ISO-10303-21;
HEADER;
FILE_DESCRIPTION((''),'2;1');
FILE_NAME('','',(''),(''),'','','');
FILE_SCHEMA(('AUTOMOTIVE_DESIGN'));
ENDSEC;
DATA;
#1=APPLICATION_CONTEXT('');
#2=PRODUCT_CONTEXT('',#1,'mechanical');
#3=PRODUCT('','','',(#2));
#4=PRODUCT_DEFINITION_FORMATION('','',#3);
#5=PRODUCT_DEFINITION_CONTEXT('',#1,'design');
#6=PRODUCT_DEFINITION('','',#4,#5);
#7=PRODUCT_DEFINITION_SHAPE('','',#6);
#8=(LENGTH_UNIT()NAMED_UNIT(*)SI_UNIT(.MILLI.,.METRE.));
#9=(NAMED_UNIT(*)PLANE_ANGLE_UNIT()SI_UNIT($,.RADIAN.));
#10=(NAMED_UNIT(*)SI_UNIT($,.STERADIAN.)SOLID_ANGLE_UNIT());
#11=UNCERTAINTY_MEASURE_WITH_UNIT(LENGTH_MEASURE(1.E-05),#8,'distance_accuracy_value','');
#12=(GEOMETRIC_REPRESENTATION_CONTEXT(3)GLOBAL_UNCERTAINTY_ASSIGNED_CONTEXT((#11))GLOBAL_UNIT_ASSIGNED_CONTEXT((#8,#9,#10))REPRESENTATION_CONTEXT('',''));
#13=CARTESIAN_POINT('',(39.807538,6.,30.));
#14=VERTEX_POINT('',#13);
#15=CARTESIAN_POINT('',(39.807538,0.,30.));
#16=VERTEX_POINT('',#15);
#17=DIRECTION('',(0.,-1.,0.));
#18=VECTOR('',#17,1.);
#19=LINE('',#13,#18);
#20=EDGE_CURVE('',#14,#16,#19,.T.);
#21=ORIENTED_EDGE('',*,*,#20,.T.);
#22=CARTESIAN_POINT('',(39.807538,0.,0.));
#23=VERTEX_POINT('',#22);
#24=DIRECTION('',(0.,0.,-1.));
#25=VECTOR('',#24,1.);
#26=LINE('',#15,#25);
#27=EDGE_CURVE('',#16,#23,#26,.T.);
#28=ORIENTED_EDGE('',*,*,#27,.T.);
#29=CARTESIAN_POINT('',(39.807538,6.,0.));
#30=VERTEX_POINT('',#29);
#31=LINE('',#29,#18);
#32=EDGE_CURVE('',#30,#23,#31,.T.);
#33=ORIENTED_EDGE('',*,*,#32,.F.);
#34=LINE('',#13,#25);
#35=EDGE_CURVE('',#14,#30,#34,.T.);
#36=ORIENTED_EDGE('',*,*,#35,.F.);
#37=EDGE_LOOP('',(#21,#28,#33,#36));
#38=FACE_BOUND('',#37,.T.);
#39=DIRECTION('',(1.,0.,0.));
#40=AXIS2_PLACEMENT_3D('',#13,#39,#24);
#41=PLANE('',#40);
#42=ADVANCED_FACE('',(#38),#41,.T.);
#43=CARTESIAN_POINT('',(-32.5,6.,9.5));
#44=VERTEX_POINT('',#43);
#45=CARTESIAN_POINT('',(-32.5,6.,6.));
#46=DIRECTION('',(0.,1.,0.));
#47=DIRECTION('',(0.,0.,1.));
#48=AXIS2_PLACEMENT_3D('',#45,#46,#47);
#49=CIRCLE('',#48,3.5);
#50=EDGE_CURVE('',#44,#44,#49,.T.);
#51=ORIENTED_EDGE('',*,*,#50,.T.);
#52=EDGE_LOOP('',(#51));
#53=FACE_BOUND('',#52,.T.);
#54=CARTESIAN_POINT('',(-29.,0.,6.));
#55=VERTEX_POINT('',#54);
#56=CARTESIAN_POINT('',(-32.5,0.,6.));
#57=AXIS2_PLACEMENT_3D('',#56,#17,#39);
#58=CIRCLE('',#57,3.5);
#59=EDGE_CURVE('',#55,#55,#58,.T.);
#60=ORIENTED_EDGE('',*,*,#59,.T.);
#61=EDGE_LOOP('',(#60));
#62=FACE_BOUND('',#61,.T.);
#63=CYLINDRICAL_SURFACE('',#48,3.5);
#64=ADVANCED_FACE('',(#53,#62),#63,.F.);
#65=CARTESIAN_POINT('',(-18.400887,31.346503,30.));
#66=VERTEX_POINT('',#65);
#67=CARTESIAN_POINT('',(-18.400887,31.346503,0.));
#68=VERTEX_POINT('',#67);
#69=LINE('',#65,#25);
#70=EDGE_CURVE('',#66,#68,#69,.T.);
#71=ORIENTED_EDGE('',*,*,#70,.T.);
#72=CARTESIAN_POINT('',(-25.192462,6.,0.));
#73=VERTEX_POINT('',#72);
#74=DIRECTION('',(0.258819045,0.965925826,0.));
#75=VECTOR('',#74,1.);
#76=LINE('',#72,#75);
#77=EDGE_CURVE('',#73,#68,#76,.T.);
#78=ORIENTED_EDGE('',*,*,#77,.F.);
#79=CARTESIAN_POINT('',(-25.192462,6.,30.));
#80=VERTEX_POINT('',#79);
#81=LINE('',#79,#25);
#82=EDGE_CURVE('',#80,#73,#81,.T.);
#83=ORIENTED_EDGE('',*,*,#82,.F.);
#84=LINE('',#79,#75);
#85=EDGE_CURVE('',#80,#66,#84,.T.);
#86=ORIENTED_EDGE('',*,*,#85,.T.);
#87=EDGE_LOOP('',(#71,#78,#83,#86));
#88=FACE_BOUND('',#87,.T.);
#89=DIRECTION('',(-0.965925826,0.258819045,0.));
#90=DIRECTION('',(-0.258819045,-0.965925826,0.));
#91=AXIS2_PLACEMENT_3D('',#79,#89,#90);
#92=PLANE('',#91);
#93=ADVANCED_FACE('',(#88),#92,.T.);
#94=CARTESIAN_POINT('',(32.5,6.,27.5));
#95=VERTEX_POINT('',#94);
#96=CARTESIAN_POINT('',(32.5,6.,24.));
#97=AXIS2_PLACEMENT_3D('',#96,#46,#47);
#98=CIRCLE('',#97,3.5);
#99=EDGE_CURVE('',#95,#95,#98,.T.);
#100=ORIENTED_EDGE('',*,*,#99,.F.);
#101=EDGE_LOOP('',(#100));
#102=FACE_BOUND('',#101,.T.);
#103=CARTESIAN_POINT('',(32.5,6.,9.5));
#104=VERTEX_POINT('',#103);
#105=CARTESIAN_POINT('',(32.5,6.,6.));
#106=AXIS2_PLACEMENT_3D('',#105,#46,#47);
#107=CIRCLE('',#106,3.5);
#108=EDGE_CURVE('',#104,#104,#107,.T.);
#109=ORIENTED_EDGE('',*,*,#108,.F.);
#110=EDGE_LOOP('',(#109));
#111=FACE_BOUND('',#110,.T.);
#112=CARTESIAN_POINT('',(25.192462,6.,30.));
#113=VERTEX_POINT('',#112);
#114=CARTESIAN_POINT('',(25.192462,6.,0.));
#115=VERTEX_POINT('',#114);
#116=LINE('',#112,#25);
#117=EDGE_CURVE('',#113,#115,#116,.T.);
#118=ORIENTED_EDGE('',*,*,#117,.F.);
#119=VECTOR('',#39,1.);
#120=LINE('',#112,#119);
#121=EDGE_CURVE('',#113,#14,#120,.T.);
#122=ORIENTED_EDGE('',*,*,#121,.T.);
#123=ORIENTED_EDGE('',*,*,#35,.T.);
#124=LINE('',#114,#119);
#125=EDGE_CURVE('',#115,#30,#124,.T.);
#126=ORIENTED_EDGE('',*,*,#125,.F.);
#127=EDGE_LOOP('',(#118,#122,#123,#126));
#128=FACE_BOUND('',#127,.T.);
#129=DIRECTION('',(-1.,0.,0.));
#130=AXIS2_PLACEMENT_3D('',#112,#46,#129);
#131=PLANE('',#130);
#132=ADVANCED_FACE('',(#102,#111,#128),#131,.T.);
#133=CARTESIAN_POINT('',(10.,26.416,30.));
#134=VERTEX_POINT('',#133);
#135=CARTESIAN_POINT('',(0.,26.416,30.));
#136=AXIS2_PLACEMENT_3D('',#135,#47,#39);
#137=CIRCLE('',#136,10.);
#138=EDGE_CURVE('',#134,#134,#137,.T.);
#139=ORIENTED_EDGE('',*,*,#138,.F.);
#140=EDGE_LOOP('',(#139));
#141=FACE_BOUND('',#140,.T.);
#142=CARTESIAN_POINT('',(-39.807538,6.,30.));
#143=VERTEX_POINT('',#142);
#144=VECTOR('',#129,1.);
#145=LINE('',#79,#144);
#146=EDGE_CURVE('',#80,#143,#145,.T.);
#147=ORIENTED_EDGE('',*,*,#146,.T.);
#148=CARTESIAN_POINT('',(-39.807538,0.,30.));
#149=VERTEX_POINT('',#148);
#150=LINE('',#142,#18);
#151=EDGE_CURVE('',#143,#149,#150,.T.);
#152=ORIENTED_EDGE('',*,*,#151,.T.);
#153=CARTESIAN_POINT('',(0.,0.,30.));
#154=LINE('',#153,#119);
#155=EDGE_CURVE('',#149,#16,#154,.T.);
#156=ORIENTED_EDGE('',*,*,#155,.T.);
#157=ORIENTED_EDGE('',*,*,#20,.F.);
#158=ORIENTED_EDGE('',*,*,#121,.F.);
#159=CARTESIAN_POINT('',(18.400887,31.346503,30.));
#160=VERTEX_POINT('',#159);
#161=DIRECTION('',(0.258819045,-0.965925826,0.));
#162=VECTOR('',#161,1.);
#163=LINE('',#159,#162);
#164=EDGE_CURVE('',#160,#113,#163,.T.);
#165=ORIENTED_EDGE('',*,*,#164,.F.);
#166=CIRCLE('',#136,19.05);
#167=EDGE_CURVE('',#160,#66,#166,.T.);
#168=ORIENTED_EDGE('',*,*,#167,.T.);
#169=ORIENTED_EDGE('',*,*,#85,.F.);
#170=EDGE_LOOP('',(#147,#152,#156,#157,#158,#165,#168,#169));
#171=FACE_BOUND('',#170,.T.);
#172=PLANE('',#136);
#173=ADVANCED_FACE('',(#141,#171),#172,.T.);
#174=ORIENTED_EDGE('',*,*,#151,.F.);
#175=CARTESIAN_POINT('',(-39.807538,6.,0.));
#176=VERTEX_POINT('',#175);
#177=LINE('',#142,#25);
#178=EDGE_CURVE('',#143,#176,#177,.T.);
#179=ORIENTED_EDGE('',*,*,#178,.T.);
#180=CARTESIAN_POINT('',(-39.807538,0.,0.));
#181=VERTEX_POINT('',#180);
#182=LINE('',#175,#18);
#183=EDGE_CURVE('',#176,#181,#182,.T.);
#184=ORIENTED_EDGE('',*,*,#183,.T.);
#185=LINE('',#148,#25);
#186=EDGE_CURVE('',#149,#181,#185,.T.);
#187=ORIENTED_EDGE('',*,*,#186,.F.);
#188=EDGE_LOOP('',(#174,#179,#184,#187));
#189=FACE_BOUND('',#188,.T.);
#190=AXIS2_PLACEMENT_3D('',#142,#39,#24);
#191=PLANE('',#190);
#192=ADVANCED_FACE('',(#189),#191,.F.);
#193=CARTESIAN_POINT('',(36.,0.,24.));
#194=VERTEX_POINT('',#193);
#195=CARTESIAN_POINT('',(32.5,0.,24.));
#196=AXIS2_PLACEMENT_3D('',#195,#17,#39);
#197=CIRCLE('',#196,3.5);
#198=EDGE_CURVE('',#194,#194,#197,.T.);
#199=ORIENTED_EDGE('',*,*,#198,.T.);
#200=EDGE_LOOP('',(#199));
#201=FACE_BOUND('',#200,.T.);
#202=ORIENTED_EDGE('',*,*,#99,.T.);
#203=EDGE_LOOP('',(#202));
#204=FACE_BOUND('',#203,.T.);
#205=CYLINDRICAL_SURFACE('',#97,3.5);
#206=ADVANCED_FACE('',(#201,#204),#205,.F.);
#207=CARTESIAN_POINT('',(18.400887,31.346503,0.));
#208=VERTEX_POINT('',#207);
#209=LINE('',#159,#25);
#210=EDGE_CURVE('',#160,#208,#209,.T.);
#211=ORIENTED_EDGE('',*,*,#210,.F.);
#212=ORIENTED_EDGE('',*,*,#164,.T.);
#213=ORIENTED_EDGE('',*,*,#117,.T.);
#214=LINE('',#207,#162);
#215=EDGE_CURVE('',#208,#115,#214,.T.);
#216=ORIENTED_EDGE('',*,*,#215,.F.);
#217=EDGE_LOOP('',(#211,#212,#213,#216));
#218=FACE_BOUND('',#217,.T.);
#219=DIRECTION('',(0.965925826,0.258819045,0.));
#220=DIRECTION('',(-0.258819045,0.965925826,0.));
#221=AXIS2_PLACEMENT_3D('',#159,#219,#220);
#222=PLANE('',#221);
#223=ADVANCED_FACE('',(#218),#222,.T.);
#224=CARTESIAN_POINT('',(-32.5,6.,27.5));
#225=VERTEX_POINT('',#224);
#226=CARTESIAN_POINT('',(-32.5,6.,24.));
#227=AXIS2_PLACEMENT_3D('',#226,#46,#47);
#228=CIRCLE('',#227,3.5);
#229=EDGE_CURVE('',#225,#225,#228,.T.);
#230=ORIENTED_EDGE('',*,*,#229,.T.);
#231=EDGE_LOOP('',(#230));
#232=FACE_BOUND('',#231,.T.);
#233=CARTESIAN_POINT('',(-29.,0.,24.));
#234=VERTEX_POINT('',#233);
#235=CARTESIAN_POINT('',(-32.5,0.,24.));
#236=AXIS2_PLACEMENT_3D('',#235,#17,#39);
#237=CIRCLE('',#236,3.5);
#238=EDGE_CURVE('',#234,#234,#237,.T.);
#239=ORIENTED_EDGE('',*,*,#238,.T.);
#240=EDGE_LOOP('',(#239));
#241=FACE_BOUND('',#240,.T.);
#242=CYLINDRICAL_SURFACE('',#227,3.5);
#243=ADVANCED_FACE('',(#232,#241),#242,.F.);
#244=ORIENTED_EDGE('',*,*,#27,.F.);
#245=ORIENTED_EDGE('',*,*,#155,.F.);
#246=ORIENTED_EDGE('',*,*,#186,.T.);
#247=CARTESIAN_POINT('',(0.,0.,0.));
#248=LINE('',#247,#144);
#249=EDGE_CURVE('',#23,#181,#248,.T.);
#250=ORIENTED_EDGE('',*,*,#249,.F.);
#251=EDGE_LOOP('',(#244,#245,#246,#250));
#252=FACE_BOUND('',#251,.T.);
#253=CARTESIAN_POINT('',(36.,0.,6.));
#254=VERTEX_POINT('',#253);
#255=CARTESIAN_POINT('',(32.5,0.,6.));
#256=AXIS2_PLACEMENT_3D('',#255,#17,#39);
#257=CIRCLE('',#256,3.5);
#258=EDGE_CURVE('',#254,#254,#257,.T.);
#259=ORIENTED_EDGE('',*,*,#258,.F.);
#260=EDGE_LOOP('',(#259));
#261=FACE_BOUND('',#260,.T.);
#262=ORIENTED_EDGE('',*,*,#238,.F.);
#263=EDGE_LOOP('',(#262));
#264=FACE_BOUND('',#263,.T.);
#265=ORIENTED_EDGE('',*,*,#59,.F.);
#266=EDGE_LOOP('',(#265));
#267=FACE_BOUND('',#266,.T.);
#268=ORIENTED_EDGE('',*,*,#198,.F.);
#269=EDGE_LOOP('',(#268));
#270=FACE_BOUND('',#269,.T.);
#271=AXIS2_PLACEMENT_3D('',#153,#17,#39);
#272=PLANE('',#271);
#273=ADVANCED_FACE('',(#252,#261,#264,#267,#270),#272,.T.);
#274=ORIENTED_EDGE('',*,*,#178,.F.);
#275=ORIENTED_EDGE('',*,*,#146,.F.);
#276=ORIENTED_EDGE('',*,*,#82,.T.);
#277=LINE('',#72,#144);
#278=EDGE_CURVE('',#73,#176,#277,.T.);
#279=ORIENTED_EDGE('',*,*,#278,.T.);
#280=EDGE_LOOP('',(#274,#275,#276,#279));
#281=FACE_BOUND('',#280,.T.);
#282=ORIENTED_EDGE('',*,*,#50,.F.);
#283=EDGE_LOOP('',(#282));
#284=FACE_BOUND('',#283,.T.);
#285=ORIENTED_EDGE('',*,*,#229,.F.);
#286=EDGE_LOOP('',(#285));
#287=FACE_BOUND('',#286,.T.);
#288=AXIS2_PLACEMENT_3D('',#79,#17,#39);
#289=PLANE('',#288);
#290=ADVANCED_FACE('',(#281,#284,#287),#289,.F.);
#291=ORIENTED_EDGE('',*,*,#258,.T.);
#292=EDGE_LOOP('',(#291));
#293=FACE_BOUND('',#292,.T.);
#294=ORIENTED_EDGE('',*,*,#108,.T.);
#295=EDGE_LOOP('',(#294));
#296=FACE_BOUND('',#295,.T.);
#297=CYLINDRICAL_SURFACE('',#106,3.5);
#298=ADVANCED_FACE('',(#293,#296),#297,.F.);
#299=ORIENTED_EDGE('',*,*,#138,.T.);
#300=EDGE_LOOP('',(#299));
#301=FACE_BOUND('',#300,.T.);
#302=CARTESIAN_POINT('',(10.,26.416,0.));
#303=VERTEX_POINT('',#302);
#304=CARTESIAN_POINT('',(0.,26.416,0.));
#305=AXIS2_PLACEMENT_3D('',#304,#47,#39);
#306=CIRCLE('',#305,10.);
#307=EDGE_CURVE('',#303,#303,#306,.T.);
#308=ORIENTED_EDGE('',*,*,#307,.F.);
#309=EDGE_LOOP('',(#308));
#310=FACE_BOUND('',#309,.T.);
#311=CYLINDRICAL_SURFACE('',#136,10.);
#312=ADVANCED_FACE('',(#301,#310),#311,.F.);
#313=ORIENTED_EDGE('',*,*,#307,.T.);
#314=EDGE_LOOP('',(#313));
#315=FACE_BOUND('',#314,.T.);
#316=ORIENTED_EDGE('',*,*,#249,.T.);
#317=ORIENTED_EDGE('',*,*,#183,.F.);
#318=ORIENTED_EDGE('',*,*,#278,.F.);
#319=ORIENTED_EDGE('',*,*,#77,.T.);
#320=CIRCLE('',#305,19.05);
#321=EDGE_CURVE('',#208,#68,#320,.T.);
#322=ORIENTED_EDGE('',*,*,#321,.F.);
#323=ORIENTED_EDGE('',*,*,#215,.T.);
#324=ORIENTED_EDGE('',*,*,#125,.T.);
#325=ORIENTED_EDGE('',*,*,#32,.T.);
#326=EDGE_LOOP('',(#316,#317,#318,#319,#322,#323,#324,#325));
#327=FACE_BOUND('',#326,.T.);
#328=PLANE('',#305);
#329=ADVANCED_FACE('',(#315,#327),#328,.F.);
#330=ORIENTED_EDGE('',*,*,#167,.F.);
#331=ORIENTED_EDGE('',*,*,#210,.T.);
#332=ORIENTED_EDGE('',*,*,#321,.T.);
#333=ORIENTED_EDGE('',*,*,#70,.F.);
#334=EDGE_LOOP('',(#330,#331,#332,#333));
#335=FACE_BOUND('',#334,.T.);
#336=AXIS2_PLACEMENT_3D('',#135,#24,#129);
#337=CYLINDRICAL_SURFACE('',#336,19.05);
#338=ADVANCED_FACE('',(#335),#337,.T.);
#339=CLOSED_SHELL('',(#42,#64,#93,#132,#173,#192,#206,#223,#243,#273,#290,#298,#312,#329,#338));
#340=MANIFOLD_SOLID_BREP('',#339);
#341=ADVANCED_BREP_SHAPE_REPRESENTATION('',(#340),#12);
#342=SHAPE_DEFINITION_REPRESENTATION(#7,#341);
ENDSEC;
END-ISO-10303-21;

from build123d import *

# Parameters (mm, degrees)
BOSS_EXTRUDE1_DEPTH            = 30
F_20_0MM_DOWEL_HOLE1_D         = 20
F_20_0MM_DOWEL_HOLE1_DEPTH     = 74.0791
F_20_0MM_DOWEL_HOLE1_TIP       = 6.00860619
M8X1_0_TAPPED_HOLE1_AT_2_COUNT = 2
M8X1_0_TAPPED_HOLE1_AT_2_PITCH = 18


with BuildPart() as part:
    # Sketch1 → Boss-Extrude1 (new body)
    with BuildSketch(Plane.XY):
        with BuildLine():
            Line((0, 0), (-39.807538051, 0))
            Line((-39.807538051, 0), (-39.807538051, 6))
            Line((-39.807538051, 6), (-25.192461949, 6))
            Line((-25.192461949, 6), (-18.400886991, 31.346502809))
            ThreePointArc((-18.400886991, 31.346502809), (0, 45.466), (18.400886991, 31.346502809))
            Line((18.400886991, 31.346502809), (25.192461949, 6))
            Line((25.192461949, 6), (39.807538051, 6))
            Line((39.807538051, 6), (39.807538051, 0))
            Line((39.807538051, 0), (0, 0))
        make_face()
    extrude(amount=BOSS_EXTRUDE1_DEPTH)

    # Ø20.0mm Dowel Hole1
    with Locations(Plane(origin=(0, 26.416, 30), x_dir=(1, 0, 0), z_dir=(0, 0, 1))):
        with Locations((0, 0)):
            Hole(F_20_0MM_DOWEL_HOLE1_D / 2, depth=F_20_0MM_DOWEL_HOLE1_DEPTH)
            with Locations((0, 0, -(F_20_0MM_DOWEL_HOLE1_DEPTH + F_20_0MM_DOWEL_HOLE1_TIP / 2))):  # 118° drill point
                Cone(0, F_20_0MM_DOWEL_HOLE1_D / 2, F_20_0MM_DOWEL_HOLE1_TIP, mode=Mode.SUBTRACT)

    # Sketch6 → M8x1.0 Tapped Hole1 (revolve, cut)
    with BuildSketch(Plane(origin=(-32.5, 6, 6), x_dir=(0, 0, 1), z_dir=(1, 0, 0))):
        Polygon((0, 0), (0, 21.103012167), (3.5, 19), (3.5, 0), align=None)
    m8x1_0_tapped_hole1 = revolve(axis=Axis((-32.5, 12.35, 6), (0, -1, 0)), mode=Mode.SUBTRACT)

    # M8x1.0 Tapped Hole1 at 2: M8x1.0 Tapped Hole1 ×2
    with Locations(*[(0, 0, i * M8X1_0_TAPPED_HOLE1_AT_2_PITCH) for i in range(1, M8X1_0_TAPPED_HOLE1_AT_2_COUNT)]):
        add(m8x1_0_tapped_hole1, mode=Mode.SUBTRACT)

    # Mirror1: M8x1.0 Tapped Hole1 across plane
    add(m8x1_0_tapped_hole1.mirror(Plane(origin=(0, 0, 0), x_dir=(0, 0, 1), z_dir=(1, 0, 0))), mode=Mode.SUBTRACT)

    # Mirror1 copy 1 sketch → Mirror1 copy 1 (revolve, cut)
    with BuildSketch(Plane(origin=(32.5, 6, 24), x_dir=(0, 0, 1), z_dir=(-1, 0, 0))):
        Polygon((0, 0), (0, -21.103012167), (3.5, -19), (3.5, 0), align=None)
    revolve(axis=Axis((32.5, 12.35, 24), (0, 1, 0)), mode=Mode.SUBTRACT)


solid = part.part
